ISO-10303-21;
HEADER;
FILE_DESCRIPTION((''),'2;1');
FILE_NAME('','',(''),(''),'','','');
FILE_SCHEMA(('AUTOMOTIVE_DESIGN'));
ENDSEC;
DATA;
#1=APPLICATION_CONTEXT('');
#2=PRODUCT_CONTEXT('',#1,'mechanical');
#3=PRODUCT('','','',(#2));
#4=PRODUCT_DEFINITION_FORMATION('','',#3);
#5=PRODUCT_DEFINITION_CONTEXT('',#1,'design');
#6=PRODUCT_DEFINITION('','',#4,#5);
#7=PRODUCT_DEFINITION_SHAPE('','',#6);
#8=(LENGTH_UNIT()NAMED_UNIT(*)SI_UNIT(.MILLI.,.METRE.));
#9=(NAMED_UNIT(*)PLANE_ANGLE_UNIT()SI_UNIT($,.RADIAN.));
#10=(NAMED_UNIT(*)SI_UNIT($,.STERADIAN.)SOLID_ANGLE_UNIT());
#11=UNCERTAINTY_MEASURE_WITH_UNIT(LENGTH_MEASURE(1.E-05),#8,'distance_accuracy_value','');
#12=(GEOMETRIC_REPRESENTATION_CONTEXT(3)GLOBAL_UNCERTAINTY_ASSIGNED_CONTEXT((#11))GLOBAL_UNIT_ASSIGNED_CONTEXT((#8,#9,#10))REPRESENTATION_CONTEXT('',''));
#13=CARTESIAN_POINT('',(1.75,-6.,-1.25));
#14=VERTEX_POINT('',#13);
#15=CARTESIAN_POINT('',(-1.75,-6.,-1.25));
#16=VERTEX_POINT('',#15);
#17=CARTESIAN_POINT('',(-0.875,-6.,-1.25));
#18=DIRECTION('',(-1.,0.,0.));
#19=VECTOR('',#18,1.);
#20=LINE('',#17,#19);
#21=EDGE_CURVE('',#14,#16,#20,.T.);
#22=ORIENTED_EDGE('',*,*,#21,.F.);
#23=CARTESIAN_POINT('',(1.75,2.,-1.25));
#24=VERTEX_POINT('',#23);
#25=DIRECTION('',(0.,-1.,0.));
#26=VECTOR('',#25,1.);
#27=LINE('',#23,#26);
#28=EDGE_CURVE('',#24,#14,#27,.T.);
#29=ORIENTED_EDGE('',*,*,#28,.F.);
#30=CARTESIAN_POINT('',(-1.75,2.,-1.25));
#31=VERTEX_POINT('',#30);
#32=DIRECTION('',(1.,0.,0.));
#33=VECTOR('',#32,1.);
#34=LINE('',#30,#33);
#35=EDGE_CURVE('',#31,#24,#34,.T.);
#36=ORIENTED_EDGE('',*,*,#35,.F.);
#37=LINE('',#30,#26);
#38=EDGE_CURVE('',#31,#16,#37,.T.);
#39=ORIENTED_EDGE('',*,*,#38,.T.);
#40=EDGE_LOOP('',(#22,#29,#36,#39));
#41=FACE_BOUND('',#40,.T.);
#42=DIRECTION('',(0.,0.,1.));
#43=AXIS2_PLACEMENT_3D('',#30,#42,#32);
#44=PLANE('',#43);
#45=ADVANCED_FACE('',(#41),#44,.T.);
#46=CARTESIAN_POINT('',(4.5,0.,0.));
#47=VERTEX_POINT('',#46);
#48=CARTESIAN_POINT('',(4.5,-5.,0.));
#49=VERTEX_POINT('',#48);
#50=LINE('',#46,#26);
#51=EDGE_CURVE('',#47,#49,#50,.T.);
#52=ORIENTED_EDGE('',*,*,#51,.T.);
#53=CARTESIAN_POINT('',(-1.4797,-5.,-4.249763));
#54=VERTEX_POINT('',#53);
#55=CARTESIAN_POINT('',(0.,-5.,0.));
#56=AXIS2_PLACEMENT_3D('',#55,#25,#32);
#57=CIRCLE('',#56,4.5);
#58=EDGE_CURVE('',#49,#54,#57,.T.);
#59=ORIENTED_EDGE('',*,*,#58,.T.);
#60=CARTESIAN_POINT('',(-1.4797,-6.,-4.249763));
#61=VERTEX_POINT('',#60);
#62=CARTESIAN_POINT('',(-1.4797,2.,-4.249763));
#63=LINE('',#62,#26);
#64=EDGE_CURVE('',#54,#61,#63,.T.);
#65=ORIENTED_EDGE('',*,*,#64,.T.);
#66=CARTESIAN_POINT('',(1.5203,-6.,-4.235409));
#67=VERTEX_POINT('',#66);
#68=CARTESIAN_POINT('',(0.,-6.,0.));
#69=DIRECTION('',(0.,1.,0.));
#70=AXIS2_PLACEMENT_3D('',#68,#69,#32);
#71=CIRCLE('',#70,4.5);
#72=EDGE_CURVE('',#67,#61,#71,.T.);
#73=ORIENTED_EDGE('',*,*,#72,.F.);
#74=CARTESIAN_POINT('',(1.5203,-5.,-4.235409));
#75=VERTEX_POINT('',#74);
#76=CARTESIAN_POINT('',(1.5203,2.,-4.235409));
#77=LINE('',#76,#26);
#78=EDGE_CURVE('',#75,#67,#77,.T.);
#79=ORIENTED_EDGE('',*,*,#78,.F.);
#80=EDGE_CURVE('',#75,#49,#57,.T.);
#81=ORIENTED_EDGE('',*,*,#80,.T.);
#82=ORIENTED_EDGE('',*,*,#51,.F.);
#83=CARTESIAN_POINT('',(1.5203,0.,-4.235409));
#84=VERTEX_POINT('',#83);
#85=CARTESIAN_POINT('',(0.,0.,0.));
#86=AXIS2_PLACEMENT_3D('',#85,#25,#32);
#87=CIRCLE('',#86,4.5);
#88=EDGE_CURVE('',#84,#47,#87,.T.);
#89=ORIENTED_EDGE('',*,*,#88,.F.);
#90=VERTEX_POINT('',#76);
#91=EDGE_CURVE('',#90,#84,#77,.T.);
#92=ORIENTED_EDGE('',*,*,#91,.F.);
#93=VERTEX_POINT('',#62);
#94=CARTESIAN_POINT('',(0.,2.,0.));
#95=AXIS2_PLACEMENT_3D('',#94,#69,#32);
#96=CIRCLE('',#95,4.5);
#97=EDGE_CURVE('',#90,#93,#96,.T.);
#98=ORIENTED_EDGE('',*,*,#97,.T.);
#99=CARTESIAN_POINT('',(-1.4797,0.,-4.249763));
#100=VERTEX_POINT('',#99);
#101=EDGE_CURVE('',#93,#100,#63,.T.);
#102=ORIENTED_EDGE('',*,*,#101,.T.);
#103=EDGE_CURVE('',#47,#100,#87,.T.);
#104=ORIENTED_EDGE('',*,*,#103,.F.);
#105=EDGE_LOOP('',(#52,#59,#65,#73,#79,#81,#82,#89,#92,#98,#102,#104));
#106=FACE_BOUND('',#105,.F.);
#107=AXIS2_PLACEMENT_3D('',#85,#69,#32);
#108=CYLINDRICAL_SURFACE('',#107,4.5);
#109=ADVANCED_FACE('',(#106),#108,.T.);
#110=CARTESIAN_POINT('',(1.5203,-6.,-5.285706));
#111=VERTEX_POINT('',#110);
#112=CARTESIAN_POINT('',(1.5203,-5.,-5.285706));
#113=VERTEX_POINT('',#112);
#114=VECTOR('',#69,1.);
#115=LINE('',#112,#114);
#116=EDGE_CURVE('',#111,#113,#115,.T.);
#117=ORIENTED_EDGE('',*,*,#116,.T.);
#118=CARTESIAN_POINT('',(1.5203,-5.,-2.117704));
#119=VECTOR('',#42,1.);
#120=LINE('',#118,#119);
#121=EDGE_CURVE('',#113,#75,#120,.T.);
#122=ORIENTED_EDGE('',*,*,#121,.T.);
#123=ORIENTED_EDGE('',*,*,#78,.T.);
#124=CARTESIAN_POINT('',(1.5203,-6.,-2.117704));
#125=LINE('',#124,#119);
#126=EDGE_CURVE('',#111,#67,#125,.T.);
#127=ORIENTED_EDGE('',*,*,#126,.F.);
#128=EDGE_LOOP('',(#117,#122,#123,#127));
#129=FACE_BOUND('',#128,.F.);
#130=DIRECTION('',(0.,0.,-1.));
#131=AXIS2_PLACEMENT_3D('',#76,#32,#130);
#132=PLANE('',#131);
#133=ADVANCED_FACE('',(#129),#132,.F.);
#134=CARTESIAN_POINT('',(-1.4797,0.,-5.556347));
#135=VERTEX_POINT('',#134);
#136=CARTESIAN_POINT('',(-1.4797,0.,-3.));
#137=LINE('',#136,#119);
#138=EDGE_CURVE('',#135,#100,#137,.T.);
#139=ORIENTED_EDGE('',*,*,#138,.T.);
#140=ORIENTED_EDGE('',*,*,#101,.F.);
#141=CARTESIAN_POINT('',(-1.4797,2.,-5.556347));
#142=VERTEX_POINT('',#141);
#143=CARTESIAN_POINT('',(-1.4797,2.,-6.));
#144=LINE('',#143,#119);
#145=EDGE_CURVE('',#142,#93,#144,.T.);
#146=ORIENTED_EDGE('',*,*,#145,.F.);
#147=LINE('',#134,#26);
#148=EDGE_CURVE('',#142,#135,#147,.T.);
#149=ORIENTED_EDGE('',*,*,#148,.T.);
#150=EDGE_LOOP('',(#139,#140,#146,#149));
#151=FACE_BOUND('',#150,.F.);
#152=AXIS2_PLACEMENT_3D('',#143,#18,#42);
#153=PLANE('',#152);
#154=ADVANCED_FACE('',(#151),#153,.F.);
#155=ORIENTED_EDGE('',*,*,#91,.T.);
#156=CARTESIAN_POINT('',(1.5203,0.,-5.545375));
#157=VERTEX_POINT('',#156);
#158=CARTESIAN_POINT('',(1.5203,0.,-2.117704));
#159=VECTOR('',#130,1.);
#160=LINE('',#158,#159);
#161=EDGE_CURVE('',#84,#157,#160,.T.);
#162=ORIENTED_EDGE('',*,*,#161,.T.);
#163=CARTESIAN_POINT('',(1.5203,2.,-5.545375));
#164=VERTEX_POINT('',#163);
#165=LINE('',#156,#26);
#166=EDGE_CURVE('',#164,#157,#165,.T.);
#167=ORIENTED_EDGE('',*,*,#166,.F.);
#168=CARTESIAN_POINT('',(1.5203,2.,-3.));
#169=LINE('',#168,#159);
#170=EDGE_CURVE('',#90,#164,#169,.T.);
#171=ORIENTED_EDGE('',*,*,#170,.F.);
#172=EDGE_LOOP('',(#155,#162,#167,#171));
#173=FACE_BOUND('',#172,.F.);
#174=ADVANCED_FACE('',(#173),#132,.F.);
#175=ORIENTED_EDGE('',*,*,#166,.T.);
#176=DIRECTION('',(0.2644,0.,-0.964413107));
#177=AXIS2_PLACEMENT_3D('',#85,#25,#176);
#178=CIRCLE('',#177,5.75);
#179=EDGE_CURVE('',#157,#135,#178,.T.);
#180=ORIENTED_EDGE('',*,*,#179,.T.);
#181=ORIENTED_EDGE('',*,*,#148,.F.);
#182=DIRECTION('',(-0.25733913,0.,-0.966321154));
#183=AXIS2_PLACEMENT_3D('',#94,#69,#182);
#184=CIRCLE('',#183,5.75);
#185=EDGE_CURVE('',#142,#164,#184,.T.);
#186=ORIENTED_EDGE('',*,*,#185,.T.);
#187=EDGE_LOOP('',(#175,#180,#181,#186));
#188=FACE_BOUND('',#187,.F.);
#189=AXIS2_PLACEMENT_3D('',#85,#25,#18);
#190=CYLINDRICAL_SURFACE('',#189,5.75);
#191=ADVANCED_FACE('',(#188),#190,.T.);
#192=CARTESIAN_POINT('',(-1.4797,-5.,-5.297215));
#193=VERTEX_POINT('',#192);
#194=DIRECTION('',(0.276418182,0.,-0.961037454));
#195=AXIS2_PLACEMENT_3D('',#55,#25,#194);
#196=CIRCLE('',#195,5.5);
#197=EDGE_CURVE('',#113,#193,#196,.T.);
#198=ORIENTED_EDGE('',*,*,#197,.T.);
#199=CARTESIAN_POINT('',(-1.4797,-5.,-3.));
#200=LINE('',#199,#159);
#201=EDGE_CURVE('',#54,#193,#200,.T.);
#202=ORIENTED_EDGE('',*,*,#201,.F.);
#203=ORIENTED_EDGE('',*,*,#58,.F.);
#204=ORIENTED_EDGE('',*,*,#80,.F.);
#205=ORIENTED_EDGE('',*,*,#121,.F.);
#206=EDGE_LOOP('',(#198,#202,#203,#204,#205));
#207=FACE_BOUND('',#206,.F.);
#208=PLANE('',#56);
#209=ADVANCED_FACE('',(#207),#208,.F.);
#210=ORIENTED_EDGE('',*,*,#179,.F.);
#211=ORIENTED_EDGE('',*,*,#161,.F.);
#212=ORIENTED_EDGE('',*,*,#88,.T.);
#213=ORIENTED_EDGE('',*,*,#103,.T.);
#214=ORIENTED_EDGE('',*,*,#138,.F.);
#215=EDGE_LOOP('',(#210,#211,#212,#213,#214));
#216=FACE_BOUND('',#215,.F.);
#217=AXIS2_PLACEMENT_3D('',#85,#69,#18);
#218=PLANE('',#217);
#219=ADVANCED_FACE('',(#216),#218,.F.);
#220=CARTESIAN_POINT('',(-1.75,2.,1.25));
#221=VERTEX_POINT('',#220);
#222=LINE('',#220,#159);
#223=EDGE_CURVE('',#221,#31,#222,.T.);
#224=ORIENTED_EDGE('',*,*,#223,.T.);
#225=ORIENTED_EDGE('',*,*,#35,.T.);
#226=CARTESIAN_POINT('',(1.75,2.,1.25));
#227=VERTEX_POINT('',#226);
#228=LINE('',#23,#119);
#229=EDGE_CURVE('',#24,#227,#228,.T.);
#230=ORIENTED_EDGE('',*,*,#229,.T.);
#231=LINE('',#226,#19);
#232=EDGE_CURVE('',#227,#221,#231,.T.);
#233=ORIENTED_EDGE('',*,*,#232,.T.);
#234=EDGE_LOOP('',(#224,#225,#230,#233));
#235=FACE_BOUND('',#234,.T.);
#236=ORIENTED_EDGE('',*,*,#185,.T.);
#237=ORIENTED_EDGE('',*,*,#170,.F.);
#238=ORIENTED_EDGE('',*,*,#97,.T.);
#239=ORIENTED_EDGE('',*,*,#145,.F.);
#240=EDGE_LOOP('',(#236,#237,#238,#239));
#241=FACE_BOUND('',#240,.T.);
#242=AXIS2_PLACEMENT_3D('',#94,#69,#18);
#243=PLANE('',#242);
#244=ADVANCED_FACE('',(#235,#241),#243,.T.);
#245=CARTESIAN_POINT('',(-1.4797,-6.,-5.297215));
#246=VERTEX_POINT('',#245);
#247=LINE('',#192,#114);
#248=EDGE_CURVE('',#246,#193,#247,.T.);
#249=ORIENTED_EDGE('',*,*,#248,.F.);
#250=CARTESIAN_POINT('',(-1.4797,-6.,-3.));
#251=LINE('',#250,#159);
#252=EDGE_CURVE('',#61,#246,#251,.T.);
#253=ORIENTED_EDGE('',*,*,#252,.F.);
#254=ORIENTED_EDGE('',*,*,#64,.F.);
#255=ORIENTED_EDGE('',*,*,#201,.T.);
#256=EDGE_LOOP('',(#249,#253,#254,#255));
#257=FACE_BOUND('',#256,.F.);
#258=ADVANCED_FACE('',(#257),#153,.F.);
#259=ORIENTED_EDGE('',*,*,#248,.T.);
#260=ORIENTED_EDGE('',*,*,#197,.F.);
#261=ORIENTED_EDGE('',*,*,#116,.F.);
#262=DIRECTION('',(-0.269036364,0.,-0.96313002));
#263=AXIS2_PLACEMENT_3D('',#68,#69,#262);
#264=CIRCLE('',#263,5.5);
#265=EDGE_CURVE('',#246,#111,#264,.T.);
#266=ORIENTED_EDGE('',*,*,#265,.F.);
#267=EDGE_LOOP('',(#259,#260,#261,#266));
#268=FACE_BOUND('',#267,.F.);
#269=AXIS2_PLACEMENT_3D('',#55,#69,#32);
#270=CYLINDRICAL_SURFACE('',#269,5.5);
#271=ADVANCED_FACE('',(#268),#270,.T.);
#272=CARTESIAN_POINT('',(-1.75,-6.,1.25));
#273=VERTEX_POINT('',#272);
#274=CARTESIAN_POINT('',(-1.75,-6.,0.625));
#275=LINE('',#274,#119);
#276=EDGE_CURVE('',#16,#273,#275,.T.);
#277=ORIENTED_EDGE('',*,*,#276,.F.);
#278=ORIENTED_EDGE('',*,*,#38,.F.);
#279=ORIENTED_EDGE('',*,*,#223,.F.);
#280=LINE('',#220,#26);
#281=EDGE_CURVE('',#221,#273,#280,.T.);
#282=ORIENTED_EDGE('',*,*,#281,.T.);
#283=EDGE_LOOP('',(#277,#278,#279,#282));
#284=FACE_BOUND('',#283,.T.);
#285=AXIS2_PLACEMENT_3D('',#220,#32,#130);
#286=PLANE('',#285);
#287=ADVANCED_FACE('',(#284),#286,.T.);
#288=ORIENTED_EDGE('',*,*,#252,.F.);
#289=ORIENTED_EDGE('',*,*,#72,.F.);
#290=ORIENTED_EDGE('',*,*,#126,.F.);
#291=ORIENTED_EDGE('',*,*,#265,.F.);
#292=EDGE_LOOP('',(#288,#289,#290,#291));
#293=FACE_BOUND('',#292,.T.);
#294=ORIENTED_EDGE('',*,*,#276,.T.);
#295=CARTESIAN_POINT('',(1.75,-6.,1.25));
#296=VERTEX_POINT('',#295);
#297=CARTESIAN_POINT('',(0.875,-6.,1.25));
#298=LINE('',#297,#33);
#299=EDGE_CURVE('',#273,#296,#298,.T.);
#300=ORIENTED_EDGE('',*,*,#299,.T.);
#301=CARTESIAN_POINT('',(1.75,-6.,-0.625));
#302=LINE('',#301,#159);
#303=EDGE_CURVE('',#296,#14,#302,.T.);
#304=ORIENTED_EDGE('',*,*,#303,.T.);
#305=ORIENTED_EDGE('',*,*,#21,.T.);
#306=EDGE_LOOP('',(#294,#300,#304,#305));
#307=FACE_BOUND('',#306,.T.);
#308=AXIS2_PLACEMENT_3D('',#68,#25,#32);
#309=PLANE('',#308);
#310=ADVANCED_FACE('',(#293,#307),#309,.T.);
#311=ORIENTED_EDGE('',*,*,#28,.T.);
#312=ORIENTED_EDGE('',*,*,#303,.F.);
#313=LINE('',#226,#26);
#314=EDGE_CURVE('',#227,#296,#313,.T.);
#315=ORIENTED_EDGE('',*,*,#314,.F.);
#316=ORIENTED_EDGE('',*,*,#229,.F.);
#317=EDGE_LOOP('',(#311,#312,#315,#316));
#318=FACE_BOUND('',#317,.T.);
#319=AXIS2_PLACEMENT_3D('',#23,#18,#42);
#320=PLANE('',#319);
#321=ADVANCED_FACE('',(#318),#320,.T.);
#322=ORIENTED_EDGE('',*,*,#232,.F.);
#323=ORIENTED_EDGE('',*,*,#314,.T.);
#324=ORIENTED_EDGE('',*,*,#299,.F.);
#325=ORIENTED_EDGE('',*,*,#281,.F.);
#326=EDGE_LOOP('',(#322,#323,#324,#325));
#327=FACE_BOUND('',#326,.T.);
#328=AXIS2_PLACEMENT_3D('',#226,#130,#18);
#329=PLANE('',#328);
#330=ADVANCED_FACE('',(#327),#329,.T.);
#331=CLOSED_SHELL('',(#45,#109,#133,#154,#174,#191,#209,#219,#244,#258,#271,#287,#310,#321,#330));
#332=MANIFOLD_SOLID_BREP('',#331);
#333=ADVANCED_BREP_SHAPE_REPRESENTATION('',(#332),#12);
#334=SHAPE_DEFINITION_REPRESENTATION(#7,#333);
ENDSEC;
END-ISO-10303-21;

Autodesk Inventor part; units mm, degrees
ref_plane "YZ Plane" through (0, 0, 0) normal (1, 0, 0) x (0, 1, 0)
ref_plane "XZ Plane" through (0, 0, 0) normal (0, 1, 0) x (-1, 0, 0)
ref_plane "XY Plane" through (0, 0, 0) normal (0, 0, 1) x (1, 0, 0)
sketch "草圖1" plane through (0, 0, 0) normal (0, 1, 0) x (-1, 0, 0)
  circle A0 centre (0, 0) radius 5.75
  dimension "d0" = 11.5
extrude "擠出1" add sketch "草圖1" along normal blind 2
sketch "草圖2" plane through (0, 0, 0) normal (0, -1, 0) x (1, 0, 0)
  circle A0 centre (0, 0) radius 4.5
  dimension "d3" = 9
extrude "擠出2" add sketch "草圖2" along normal blind 5
sketch "草圖3" plane through (0, -5, 0) normal (0, -1, 0) x (1, 0, 0)
  circle A0 centre (0, 0) radius 5.5
extrude "擠出3" add sketch "草圖3" along normal blind 1
sketch "草圖4" plane through (0, 2, 0) normal (0, 1, 0) x (1, 0, 0)
  line L0 (-1.75, 1.25) -> (1.75, 1.25)
  line L1 (1.75, 1.25) -> (1.75, -1.25)
  line L2 (1.75, -1.25) -> (-1.75, -1.25)
  line L3 (-1.75, -1.25) -> (-1.75, 1.25)
  line L4 (-1.75, 1.25) -> (1.75, -1.25) construction
  line L5 (1.75, 1.25) -> (-1.75, -1.25) construction
  point P0 (0, 0)
  dimension "d8" = 2.5
  dimension "d9" = 3.5
extrude "擠出4" cut sketch "草圖4" against normal through all
sketch "草圖5" plane through (0, 2, 0) normal (0, 1, 0) x (1, 0, 0)
  line L0 (-1.4797, 3) -> (1.5203, 3)
  line L1 (1.5203, 3) -> (1.5203, 6)
  line L2 (1.5203, 6) -> (-1.4797, 6)
  line L3 (-1.4797, 6) -> (-1.4797, 3)
  circle A0 centre (0, 0) radius 4.5 projected
  line L4 (-1.4797, 3) -> (1.5203, 6) construction
  line L5 (1.5203, 3) -> (-1.4797, 6) construction
  point P0 (0.0203, 4.5)
  point P1 (-1.4797, 4.2497)
  point P2 (1.5203, 4.2354)
  dimension "d12" = 3
  dimension "d15" = 3
extrude "擠出5" cut sketch "草圖5" against normal through all contours L3 L2 L1 A0
properties part number "圓形同心線圈內"
